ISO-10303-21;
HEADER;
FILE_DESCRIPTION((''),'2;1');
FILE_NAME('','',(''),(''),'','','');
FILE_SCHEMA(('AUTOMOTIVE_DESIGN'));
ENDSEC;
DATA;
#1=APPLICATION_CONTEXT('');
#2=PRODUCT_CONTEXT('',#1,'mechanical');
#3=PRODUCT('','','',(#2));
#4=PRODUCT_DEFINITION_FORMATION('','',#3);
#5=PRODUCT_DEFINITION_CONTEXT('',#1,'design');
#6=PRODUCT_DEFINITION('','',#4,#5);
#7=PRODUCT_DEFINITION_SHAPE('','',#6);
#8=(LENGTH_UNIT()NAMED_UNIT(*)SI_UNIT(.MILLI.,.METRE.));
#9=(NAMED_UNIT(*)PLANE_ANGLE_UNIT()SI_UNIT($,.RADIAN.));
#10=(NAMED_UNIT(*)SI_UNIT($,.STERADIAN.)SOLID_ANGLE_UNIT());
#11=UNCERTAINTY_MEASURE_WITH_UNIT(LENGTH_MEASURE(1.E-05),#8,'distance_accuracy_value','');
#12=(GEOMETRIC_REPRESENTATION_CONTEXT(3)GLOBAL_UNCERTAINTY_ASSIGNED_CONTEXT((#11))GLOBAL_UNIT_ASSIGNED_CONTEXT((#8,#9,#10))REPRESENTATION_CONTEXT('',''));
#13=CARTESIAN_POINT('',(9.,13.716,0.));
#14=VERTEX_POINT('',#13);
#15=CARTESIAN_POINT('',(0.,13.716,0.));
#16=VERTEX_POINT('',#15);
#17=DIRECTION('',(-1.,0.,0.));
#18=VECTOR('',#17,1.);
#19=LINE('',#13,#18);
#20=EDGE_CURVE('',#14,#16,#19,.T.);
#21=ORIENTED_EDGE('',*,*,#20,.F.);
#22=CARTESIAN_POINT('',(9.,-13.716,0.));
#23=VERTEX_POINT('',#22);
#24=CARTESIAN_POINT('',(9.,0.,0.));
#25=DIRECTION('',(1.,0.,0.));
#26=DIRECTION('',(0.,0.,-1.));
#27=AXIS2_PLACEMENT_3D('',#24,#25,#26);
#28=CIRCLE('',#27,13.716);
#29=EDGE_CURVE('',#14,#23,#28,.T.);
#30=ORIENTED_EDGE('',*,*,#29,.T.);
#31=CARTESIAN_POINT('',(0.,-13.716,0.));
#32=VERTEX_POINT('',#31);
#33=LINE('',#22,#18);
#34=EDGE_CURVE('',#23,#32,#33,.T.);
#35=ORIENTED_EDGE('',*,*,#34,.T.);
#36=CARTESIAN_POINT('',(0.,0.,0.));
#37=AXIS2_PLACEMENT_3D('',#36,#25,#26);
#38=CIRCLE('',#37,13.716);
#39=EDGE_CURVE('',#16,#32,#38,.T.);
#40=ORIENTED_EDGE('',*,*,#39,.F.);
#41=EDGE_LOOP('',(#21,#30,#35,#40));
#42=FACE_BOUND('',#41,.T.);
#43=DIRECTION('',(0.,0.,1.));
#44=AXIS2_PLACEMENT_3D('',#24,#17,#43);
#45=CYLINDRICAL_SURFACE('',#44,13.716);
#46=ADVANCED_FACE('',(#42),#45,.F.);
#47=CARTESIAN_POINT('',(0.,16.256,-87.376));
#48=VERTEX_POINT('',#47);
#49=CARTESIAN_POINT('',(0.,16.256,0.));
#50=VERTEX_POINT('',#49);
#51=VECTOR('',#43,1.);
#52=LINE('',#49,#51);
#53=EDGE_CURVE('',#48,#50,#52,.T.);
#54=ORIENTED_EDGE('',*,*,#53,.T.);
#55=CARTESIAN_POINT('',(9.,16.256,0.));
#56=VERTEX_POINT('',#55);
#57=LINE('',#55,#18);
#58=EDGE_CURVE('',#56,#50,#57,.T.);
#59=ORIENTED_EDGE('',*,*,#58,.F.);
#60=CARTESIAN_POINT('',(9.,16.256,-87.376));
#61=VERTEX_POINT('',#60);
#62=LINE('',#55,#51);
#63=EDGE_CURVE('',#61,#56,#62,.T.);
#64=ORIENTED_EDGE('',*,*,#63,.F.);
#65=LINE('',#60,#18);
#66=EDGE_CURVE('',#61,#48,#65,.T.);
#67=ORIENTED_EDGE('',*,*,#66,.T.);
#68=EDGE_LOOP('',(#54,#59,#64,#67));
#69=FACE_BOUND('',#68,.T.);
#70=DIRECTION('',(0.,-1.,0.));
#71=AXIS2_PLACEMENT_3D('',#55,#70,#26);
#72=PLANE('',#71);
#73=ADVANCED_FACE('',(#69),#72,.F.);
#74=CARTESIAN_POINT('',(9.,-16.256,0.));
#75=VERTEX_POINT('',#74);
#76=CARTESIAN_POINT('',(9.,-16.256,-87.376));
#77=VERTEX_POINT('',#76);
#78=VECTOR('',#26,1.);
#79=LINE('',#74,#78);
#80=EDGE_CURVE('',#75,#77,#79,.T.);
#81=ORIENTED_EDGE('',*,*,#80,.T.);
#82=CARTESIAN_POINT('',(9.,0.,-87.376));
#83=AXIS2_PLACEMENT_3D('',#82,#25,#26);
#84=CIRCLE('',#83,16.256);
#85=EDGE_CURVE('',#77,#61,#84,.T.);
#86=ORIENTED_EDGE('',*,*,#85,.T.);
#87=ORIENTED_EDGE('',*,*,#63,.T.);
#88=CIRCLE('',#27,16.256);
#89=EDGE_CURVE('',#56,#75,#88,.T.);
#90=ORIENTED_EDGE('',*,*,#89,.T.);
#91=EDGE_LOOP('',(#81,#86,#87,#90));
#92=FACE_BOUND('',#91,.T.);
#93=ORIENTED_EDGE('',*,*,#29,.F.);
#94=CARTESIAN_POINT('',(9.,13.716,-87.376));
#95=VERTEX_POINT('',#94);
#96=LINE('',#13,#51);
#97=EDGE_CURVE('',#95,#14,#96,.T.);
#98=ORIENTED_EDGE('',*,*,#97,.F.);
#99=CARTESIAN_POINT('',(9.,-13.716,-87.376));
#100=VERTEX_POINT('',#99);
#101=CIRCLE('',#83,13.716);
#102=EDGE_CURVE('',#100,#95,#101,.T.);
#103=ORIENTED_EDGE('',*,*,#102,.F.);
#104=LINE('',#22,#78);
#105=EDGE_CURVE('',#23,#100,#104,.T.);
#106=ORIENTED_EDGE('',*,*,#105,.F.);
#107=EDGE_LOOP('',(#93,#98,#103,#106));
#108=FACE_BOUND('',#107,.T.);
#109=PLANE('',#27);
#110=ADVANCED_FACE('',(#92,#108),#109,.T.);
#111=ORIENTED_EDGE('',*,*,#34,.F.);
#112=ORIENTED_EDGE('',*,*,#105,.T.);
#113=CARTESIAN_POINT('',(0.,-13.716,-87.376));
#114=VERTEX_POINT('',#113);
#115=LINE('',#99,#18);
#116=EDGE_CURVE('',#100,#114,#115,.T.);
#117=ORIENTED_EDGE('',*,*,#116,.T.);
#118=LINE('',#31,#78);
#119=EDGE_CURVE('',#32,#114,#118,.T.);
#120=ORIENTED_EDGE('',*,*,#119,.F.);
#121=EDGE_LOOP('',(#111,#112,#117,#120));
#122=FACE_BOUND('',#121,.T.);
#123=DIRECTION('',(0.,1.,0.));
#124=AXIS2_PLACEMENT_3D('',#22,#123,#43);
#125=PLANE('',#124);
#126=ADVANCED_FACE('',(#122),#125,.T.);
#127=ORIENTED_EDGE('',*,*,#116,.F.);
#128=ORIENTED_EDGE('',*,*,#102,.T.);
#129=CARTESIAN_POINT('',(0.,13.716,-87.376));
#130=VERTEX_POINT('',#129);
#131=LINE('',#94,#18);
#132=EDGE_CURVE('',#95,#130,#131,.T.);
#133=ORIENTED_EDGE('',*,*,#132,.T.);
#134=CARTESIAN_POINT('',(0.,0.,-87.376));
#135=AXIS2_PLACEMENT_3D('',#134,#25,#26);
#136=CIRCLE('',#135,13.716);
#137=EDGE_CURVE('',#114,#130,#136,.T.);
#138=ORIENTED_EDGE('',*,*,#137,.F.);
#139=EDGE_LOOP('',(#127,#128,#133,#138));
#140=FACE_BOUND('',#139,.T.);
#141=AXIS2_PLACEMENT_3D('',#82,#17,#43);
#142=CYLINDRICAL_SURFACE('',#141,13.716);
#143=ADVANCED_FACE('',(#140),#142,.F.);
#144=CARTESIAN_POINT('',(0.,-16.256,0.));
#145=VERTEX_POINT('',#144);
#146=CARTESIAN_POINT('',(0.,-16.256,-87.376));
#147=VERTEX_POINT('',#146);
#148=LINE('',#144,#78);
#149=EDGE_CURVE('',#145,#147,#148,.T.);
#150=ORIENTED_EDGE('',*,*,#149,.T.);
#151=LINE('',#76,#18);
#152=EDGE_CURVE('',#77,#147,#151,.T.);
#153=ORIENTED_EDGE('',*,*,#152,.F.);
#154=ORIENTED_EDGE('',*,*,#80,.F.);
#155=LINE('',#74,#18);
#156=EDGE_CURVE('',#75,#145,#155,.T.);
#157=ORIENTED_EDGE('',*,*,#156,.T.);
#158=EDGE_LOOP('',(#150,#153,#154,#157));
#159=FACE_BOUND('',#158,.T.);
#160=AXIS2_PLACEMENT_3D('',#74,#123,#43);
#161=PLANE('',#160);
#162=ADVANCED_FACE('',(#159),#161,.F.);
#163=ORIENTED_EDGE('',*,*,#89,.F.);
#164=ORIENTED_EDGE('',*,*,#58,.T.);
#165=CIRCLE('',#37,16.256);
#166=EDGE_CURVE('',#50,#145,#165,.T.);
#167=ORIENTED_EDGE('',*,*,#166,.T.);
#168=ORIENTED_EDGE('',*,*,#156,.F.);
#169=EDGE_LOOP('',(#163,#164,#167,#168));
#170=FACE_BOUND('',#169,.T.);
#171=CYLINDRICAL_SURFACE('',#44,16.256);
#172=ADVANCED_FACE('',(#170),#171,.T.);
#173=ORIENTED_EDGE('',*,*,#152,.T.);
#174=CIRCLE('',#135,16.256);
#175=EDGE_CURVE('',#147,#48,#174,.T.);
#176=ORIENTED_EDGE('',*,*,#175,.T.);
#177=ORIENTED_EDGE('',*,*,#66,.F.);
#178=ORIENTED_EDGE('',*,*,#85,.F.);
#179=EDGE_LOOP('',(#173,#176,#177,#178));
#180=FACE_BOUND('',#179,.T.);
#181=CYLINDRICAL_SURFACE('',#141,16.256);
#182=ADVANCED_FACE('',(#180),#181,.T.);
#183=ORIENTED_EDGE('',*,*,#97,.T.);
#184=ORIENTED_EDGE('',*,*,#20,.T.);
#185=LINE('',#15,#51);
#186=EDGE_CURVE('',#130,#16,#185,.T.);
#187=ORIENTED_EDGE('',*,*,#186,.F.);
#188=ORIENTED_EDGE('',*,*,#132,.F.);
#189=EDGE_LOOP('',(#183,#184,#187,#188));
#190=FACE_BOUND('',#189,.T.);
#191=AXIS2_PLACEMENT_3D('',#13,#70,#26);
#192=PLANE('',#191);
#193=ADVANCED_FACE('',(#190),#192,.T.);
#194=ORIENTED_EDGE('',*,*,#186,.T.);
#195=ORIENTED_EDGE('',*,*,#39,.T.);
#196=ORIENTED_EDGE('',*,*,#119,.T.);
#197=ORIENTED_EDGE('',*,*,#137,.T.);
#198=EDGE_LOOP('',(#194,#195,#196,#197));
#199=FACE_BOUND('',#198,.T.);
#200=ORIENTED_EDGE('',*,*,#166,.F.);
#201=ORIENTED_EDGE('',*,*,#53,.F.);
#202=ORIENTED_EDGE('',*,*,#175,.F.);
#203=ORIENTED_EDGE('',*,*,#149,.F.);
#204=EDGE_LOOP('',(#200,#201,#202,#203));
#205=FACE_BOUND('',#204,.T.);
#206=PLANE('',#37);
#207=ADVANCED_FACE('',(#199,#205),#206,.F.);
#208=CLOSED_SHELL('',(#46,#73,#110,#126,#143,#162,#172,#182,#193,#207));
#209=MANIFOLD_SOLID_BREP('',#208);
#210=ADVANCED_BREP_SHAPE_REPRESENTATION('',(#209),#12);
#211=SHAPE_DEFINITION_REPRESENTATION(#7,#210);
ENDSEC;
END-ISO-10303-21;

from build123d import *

# Parameters (mm, degrees)
EXTRUDE_THIN1_DEPTH = 9


with BuildPart() as part:
    # Sketch1 → Extrude-Thin1 (new body)
    with BuildSketch(Plane(origin=(0, 0, 0), x_dir=(0, 0, -1), z_dir=(1, 0, 0))):
        with BuildLine():
            Line((87.376, 16.256), (0, 16.256))
            ThreePointArc((0, 16.256), (-16.256, 0), (0, -16.256))
            Line((0, -16.256), (87.376, -16.256))
            ThreePointArc((87.376, -16.256), (103.632, 0), (87.376, 16.256))
        make_face()
        with BuildLine():
            Line((87.376, 13.716), (0, 13.716))
            ThreePointArc((0, 13.716), (-13.716, 0), (0, -13.716))
            Line((0, -13.716), (87.376, -13.716))
            ThreePointArc((87.376, -13.716), (101.092, 0), (87.376, 13.716))
        make_face(mode=Mode.SUBTRACT)
    extrude(amount=EXTRUDE_THIN1_DEPTH)


solid = part.part
